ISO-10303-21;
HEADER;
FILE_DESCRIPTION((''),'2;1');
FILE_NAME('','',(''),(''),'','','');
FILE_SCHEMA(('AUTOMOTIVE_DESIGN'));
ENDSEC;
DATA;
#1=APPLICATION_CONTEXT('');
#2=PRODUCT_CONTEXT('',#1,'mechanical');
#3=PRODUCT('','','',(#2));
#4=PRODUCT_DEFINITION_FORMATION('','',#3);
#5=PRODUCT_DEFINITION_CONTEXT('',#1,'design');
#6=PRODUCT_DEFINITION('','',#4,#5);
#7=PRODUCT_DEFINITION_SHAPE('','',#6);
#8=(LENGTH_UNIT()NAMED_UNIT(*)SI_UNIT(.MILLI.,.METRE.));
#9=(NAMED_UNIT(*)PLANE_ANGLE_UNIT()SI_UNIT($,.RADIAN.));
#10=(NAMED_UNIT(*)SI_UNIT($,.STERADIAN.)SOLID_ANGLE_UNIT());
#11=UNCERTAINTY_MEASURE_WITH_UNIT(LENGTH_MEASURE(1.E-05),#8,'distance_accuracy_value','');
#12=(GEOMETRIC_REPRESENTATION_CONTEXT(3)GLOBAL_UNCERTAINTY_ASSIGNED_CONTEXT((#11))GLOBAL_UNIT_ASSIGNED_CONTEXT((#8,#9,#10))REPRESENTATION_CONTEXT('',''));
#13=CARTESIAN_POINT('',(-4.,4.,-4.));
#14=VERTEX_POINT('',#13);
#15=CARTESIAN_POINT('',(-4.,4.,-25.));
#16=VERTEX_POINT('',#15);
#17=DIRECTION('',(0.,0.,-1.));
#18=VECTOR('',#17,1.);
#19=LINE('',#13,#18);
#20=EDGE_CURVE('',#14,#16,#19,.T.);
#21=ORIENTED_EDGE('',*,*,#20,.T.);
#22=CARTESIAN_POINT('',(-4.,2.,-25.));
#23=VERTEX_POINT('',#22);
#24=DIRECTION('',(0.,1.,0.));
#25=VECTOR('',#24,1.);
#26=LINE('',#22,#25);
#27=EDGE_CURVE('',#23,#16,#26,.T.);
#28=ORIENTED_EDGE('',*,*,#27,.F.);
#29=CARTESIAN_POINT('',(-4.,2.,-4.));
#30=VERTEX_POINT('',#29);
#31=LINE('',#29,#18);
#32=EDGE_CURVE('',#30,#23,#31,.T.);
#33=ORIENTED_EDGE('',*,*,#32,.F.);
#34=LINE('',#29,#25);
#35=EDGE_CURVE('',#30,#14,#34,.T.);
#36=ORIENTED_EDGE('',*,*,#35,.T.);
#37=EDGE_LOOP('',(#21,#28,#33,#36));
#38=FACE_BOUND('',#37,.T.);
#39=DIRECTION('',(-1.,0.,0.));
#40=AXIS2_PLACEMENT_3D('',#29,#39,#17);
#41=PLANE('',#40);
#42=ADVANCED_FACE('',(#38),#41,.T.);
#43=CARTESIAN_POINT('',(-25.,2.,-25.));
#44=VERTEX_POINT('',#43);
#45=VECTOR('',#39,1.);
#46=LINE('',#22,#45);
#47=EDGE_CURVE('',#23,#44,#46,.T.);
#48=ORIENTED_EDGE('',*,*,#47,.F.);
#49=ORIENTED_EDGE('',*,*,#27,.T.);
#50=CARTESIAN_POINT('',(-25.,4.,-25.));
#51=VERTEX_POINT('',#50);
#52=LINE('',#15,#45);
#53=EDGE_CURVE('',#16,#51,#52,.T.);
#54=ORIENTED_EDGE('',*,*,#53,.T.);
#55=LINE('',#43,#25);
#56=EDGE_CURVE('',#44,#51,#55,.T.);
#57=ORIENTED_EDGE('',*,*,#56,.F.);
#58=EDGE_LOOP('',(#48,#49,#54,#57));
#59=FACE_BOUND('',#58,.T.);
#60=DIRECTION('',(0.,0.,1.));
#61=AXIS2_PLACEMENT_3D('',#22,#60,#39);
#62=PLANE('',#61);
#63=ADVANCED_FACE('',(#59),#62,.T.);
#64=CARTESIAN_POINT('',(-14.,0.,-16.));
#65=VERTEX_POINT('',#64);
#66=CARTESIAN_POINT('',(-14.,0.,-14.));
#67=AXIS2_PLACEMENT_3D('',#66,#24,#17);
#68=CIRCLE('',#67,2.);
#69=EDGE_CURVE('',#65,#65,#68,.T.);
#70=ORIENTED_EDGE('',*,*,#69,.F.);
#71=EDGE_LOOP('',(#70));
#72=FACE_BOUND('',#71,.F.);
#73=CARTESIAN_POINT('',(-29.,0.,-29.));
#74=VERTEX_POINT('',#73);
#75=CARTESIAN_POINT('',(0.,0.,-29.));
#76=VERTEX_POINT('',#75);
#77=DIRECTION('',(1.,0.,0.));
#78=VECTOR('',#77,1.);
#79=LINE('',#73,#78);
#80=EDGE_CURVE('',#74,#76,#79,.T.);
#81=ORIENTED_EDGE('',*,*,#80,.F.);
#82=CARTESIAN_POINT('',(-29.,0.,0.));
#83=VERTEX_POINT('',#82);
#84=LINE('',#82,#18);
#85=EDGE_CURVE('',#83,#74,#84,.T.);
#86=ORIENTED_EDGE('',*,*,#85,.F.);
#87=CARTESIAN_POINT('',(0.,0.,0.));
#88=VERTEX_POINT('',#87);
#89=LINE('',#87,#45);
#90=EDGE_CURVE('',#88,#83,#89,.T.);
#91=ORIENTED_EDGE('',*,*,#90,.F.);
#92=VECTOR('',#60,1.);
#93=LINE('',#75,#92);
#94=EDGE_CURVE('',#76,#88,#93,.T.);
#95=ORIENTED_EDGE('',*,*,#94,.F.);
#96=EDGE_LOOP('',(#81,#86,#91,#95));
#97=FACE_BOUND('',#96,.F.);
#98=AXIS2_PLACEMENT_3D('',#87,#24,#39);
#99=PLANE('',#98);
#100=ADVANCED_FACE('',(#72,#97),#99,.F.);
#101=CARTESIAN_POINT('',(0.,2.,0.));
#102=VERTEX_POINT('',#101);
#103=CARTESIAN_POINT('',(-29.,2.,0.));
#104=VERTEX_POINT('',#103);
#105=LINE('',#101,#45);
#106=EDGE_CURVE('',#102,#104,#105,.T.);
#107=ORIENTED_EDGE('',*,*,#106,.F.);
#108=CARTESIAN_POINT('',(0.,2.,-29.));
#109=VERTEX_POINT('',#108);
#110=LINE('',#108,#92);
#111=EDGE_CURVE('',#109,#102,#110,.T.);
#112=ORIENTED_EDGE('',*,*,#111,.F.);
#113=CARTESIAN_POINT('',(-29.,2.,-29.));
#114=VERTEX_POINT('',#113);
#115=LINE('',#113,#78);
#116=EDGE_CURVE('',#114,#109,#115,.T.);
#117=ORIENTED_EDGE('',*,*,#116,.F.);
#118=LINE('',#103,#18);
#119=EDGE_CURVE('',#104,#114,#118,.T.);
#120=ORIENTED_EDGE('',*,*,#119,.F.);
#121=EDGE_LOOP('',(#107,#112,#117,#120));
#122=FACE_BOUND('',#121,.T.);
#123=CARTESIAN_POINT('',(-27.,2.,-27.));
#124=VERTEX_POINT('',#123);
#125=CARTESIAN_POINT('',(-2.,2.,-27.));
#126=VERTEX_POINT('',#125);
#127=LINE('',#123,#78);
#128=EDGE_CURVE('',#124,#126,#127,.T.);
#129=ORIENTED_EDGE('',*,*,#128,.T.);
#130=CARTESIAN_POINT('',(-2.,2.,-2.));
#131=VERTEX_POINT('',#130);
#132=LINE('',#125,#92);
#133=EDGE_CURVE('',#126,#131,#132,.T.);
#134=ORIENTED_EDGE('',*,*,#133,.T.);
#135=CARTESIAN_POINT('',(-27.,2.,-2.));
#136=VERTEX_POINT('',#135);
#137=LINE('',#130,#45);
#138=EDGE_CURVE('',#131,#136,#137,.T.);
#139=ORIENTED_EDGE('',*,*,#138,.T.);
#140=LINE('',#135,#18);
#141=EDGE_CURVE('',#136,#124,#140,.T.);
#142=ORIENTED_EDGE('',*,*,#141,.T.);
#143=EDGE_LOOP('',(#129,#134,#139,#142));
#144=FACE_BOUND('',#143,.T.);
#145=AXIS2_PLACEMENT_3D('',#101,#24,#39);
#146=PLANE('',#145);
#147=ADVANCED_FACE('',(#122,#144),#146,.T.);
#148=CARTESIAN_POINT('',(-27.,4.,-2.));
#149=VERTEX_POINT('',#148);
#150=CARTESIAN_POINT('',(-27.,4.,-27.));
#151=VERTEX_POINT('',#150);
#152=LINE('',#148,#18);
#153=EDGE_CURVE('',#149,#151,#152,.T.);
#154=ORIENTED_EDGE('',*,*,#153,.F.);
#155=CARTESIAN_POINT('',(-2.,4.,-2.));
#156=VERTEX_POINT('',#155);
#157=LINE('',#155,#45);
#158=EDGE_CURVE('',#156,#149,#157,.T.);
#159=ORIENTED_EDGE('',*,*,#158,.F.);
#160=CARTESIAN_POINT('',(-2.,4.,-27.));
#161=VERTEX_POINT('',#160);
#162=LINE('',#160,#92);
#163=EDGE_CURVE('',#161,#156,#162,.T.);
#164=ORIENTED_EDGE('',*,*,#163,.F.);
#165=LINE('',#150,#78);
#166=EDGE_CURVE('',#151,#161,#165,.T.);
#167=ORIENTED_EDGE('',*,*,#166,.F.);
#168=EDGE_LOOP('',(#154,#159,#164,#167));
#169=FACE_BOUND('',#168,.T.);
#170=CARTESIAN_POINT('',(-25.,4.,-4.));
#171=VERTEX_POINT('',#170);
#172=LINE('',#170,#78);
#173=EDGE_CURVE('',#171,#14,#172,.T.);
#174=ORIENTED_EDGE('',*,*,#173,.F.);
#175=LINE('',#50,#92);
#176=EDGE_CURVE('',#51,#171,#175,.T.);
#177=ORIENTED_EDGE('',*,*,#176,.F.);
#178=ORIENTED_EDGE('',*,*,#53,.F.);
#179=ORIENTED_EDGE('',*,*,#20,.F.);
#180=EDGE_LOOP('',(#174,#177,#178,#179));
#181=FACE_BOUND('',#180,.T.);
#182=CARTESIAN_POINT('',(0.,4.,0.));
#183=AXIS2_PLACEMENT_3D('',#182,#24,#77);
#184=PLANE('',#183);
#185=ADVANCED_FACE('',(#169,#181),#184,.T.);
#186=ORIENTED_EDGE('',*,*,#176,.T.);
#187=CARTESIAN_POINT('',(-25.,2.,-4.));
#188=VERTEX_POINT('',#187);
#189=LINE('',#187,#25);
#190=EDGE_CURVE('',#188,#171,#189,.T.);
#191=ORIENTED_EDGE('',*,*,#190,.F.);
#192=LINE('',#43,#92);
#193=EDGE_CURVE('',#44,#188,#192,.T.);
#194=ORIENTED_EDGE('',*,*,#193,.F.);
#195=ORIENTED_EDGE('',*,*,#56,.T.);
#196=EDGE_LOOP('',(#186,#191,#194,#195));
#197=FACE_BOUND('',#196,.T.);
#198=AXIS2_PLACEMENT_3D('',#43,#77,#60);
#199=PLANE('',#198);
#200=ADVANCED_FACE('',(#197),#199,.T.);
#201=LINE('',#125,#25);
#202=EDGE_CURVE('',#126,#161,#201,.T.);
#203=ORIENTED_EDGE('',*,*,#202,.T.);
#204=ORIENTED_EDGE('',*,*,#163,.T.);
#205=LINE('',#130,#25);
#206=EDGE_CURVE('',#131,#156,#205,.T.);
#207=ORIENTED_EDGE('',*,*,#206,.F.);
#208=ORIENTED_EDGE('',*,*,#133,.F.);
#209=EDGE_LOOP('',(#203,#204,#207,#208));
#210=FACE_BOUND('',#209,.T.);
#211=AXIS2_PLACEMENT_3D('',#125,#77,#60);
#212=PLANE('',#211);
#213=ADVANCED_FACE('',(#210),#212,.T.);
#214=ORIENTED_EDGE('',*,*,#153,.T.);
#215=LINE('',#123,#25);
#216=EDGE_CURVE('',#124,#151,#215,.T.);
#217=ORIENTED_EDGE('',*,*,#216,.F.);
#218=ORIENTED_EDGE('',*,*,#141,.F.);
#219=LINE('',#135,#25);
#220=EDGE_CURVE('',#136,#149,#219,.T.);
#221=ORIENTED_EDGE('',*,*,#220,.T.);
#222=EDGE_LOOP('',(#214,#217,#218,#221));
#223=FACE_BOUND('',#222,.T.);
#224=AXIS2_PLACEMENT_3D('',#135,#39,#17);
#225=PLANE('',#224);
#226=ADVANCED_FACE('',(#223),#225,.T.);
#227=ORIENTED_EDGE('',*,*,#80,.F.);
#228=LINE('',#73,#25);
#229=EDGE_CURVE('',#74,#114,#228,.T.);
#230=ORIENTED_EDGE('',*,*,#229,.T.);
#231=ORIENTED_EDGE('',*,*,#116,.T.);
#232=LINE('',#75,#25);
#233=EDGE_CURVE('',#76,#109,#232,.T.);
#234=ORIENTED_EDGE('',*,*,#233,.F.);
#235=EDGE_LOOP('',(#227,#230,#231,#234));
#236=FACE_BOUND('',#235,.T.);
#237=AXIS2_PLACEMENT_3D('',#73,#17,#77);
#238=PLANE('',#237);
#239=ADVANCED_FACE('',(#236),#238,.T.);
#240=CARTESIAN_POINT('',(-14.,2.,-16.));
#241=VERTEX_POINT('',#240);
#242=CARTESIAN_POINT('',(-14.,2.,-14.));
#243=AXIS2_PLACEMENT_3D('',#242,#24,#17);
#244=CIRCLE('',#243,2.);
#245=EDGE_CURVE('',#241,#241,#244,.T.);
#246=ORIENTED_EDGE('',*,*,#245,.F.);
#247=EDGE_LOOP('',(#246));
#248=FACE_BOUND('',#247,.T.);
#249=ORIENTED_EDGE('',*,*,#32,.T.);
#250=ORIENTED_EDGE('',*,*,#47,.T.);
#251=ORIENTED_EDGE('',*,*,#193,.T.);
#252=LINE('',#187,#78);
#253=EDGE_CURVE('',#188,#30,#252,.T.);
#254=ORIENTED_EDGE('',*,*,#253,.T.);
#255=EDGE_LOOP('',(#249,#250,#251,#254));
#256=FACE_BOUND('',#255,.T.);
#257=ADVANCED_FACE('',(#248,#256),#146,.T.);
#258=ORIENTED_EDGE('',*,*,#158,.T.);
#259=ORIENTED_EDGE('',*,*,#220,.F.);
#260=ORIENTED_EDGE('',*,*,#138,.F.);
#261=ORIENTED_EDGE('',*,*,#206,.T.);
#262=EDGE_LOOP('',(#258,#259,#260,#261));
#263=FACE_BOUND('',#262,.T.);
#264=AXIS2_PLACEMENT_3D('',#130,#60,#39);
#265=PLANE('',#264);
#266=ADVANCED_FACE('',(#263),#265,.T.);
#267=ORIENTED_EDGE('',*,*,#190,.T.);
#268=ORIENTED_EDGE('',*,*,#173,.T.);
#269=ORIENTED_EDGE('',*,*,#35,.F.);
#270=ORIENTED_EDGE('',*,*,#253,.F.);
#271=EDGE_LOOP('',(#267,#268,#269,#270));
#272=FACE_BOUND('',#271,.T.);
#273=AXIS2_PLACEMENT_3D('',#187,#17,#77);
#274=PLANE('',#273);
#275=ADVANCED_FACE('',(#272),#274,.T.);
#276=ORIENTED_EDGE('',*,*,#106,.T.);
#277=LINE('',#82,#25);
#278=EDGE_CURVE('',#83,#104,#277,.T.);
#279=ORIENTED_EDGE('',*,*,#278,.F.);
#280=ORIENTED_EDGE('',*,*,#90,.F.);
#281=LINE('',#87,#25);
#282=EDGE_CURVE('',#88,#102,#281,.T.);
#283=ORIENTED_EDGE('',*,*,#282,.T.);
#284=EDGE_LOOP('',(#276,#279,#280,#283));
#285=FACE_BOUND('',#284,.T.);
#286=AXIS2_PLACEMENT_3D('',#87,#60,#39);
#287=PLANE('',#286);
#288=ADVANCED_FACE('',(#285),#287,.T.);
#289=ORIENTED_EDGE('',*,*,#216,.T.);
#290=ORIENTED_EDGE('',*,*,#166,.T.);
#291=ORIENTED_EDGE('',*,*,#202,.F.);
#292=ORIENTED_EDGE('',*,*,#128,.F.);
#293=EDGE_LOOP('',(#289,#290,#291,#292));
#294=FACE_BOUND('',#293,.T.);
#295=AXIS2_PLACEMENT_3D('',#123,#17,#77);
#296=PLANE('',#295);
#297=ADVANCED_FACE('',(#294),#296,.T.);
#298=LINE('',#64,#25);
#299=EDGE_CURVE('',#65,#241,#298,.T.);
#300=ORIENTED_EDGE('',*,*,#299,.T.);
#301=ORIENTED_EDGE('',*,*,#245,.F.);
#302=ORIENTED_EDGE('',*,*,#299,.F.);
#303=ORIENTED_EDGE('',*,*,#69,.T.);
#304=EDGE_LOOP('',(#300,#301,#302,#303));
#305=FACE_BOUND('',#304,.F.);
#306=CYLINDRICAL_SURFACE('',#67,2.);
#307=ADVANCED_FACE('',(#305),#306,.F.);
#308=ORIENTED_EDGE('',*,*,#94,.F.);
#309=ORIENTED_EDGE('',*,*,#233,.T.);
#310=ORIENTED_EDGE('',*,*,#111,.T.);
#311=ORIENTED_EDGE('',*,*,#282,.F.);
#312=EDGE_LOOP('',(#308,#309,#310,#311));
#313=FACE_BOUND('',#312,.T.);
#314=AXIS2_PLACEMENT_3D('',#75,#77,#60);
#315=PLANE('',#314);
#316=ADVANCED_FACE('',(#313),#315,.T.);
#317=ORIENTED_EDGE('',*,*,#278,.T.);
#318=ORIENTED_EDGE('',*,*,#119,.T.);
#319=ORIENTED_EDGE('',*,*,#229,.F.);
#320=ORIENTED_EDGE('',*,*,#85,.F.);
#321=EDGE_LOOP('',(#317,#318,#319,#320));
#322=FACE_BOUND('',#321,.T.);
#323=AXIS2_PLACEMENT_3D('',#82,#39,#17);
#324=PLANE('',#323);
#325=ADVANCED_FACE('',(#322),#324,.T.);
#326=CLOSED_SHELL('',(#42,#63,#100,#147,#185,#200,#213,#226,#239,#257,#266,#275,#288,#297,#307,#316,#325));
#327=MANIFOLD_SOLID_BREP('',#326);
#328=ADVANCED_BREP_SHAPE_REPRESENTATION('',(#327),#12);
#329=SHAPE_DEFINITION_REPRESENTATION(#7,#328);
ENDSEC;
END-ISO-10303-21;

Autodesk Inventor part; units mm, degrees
ref_plane "YZ Plane" through (0, 0, 0) normal (1, 0, 0) x (0, 1, 0)
ref_plane "XZ Plane" through (0, 0, 0) normal (0, 1, 0) x (-1, 0, 0)
ref_plane "XY Plane" through (0, 0, 0) normal (0, 0, 1) x (1, 0, 0)
sketch "Sketch3" plane through (0, 0, 0) normal (0, 1, 0) x (-1, 0, 0)
  line L0 (0, 0) -> (29, 0)
  line L1 (29, 0) -> (29, -29)
  line L2 (29, -29) -> (0, -29)
  line L3 (0, -29) -> (0, 0)
  dimension "d8" = 29
  dimension "d9" = 29
extrude "Extrusion3" add sketch "Sketch3" along normal blind 2
sketch "Sketch4" plane through (0, 2, 0) normal (0, 1, 0) x (1, 0, 0)
  line L0 (-29, 29) -> (-29, 0) projected
  line L1 (-29, 0) -> (0, 0) projected
  line L2 (0, 0) -> (0, 29) projected
  line L3 (0, 29) -> (-29, 29) projected
  line L4 (-27, 2) -> (-27, 27)
  line L5 (-27, 27) -> (-2, 27)
  line L6 (-2, 27) -> (-2, 2)
  line L7 (-2, 2) -> (-27, 2)
  line L8 (-25, 25) -> (-25, 4)
  line L9 (-25, 4) -> (-4, 4)
  line L10 (-4, 4) -> (-4, 25)
  line L11 (-4, 25) -> (-25, 25)
  dimension "d12" = 2
  dimension "d13" = 2
extrude "Extrusion4" add sketch "Sketch4" along normal blind 2 contours L4 L5 L6 L7
sketch "Sketch5" plane through (0, 0, 0) normal (0, -1, 0) x (1, 0, 0)
  line L0 (-4, -4) -> (-4, -25) projected
  line L1 (-4, -25) -> (-25, -25) projected
  line L2 (-25, -25) -> (-25, -4) projected
  line L3 (-25, -4) -> (-4, -4) projected
  line L4 (-4, -4) -> (-14, -4)
  line L5 (-14, -4) -> (-14, -14)
  line L6 (-14, -14) -> (-4, -14)
  line L7 (-4, -14) -> (-4, -4)
  point P0 (0, 0)
  dimension "d16" = 10
  dimension "d17" = 10
hole "Hole1" at (-14, 0, -14) direction (0, 1, 0) diameter 4 end through all
properties part number "waterBallonHolderCapv2"
